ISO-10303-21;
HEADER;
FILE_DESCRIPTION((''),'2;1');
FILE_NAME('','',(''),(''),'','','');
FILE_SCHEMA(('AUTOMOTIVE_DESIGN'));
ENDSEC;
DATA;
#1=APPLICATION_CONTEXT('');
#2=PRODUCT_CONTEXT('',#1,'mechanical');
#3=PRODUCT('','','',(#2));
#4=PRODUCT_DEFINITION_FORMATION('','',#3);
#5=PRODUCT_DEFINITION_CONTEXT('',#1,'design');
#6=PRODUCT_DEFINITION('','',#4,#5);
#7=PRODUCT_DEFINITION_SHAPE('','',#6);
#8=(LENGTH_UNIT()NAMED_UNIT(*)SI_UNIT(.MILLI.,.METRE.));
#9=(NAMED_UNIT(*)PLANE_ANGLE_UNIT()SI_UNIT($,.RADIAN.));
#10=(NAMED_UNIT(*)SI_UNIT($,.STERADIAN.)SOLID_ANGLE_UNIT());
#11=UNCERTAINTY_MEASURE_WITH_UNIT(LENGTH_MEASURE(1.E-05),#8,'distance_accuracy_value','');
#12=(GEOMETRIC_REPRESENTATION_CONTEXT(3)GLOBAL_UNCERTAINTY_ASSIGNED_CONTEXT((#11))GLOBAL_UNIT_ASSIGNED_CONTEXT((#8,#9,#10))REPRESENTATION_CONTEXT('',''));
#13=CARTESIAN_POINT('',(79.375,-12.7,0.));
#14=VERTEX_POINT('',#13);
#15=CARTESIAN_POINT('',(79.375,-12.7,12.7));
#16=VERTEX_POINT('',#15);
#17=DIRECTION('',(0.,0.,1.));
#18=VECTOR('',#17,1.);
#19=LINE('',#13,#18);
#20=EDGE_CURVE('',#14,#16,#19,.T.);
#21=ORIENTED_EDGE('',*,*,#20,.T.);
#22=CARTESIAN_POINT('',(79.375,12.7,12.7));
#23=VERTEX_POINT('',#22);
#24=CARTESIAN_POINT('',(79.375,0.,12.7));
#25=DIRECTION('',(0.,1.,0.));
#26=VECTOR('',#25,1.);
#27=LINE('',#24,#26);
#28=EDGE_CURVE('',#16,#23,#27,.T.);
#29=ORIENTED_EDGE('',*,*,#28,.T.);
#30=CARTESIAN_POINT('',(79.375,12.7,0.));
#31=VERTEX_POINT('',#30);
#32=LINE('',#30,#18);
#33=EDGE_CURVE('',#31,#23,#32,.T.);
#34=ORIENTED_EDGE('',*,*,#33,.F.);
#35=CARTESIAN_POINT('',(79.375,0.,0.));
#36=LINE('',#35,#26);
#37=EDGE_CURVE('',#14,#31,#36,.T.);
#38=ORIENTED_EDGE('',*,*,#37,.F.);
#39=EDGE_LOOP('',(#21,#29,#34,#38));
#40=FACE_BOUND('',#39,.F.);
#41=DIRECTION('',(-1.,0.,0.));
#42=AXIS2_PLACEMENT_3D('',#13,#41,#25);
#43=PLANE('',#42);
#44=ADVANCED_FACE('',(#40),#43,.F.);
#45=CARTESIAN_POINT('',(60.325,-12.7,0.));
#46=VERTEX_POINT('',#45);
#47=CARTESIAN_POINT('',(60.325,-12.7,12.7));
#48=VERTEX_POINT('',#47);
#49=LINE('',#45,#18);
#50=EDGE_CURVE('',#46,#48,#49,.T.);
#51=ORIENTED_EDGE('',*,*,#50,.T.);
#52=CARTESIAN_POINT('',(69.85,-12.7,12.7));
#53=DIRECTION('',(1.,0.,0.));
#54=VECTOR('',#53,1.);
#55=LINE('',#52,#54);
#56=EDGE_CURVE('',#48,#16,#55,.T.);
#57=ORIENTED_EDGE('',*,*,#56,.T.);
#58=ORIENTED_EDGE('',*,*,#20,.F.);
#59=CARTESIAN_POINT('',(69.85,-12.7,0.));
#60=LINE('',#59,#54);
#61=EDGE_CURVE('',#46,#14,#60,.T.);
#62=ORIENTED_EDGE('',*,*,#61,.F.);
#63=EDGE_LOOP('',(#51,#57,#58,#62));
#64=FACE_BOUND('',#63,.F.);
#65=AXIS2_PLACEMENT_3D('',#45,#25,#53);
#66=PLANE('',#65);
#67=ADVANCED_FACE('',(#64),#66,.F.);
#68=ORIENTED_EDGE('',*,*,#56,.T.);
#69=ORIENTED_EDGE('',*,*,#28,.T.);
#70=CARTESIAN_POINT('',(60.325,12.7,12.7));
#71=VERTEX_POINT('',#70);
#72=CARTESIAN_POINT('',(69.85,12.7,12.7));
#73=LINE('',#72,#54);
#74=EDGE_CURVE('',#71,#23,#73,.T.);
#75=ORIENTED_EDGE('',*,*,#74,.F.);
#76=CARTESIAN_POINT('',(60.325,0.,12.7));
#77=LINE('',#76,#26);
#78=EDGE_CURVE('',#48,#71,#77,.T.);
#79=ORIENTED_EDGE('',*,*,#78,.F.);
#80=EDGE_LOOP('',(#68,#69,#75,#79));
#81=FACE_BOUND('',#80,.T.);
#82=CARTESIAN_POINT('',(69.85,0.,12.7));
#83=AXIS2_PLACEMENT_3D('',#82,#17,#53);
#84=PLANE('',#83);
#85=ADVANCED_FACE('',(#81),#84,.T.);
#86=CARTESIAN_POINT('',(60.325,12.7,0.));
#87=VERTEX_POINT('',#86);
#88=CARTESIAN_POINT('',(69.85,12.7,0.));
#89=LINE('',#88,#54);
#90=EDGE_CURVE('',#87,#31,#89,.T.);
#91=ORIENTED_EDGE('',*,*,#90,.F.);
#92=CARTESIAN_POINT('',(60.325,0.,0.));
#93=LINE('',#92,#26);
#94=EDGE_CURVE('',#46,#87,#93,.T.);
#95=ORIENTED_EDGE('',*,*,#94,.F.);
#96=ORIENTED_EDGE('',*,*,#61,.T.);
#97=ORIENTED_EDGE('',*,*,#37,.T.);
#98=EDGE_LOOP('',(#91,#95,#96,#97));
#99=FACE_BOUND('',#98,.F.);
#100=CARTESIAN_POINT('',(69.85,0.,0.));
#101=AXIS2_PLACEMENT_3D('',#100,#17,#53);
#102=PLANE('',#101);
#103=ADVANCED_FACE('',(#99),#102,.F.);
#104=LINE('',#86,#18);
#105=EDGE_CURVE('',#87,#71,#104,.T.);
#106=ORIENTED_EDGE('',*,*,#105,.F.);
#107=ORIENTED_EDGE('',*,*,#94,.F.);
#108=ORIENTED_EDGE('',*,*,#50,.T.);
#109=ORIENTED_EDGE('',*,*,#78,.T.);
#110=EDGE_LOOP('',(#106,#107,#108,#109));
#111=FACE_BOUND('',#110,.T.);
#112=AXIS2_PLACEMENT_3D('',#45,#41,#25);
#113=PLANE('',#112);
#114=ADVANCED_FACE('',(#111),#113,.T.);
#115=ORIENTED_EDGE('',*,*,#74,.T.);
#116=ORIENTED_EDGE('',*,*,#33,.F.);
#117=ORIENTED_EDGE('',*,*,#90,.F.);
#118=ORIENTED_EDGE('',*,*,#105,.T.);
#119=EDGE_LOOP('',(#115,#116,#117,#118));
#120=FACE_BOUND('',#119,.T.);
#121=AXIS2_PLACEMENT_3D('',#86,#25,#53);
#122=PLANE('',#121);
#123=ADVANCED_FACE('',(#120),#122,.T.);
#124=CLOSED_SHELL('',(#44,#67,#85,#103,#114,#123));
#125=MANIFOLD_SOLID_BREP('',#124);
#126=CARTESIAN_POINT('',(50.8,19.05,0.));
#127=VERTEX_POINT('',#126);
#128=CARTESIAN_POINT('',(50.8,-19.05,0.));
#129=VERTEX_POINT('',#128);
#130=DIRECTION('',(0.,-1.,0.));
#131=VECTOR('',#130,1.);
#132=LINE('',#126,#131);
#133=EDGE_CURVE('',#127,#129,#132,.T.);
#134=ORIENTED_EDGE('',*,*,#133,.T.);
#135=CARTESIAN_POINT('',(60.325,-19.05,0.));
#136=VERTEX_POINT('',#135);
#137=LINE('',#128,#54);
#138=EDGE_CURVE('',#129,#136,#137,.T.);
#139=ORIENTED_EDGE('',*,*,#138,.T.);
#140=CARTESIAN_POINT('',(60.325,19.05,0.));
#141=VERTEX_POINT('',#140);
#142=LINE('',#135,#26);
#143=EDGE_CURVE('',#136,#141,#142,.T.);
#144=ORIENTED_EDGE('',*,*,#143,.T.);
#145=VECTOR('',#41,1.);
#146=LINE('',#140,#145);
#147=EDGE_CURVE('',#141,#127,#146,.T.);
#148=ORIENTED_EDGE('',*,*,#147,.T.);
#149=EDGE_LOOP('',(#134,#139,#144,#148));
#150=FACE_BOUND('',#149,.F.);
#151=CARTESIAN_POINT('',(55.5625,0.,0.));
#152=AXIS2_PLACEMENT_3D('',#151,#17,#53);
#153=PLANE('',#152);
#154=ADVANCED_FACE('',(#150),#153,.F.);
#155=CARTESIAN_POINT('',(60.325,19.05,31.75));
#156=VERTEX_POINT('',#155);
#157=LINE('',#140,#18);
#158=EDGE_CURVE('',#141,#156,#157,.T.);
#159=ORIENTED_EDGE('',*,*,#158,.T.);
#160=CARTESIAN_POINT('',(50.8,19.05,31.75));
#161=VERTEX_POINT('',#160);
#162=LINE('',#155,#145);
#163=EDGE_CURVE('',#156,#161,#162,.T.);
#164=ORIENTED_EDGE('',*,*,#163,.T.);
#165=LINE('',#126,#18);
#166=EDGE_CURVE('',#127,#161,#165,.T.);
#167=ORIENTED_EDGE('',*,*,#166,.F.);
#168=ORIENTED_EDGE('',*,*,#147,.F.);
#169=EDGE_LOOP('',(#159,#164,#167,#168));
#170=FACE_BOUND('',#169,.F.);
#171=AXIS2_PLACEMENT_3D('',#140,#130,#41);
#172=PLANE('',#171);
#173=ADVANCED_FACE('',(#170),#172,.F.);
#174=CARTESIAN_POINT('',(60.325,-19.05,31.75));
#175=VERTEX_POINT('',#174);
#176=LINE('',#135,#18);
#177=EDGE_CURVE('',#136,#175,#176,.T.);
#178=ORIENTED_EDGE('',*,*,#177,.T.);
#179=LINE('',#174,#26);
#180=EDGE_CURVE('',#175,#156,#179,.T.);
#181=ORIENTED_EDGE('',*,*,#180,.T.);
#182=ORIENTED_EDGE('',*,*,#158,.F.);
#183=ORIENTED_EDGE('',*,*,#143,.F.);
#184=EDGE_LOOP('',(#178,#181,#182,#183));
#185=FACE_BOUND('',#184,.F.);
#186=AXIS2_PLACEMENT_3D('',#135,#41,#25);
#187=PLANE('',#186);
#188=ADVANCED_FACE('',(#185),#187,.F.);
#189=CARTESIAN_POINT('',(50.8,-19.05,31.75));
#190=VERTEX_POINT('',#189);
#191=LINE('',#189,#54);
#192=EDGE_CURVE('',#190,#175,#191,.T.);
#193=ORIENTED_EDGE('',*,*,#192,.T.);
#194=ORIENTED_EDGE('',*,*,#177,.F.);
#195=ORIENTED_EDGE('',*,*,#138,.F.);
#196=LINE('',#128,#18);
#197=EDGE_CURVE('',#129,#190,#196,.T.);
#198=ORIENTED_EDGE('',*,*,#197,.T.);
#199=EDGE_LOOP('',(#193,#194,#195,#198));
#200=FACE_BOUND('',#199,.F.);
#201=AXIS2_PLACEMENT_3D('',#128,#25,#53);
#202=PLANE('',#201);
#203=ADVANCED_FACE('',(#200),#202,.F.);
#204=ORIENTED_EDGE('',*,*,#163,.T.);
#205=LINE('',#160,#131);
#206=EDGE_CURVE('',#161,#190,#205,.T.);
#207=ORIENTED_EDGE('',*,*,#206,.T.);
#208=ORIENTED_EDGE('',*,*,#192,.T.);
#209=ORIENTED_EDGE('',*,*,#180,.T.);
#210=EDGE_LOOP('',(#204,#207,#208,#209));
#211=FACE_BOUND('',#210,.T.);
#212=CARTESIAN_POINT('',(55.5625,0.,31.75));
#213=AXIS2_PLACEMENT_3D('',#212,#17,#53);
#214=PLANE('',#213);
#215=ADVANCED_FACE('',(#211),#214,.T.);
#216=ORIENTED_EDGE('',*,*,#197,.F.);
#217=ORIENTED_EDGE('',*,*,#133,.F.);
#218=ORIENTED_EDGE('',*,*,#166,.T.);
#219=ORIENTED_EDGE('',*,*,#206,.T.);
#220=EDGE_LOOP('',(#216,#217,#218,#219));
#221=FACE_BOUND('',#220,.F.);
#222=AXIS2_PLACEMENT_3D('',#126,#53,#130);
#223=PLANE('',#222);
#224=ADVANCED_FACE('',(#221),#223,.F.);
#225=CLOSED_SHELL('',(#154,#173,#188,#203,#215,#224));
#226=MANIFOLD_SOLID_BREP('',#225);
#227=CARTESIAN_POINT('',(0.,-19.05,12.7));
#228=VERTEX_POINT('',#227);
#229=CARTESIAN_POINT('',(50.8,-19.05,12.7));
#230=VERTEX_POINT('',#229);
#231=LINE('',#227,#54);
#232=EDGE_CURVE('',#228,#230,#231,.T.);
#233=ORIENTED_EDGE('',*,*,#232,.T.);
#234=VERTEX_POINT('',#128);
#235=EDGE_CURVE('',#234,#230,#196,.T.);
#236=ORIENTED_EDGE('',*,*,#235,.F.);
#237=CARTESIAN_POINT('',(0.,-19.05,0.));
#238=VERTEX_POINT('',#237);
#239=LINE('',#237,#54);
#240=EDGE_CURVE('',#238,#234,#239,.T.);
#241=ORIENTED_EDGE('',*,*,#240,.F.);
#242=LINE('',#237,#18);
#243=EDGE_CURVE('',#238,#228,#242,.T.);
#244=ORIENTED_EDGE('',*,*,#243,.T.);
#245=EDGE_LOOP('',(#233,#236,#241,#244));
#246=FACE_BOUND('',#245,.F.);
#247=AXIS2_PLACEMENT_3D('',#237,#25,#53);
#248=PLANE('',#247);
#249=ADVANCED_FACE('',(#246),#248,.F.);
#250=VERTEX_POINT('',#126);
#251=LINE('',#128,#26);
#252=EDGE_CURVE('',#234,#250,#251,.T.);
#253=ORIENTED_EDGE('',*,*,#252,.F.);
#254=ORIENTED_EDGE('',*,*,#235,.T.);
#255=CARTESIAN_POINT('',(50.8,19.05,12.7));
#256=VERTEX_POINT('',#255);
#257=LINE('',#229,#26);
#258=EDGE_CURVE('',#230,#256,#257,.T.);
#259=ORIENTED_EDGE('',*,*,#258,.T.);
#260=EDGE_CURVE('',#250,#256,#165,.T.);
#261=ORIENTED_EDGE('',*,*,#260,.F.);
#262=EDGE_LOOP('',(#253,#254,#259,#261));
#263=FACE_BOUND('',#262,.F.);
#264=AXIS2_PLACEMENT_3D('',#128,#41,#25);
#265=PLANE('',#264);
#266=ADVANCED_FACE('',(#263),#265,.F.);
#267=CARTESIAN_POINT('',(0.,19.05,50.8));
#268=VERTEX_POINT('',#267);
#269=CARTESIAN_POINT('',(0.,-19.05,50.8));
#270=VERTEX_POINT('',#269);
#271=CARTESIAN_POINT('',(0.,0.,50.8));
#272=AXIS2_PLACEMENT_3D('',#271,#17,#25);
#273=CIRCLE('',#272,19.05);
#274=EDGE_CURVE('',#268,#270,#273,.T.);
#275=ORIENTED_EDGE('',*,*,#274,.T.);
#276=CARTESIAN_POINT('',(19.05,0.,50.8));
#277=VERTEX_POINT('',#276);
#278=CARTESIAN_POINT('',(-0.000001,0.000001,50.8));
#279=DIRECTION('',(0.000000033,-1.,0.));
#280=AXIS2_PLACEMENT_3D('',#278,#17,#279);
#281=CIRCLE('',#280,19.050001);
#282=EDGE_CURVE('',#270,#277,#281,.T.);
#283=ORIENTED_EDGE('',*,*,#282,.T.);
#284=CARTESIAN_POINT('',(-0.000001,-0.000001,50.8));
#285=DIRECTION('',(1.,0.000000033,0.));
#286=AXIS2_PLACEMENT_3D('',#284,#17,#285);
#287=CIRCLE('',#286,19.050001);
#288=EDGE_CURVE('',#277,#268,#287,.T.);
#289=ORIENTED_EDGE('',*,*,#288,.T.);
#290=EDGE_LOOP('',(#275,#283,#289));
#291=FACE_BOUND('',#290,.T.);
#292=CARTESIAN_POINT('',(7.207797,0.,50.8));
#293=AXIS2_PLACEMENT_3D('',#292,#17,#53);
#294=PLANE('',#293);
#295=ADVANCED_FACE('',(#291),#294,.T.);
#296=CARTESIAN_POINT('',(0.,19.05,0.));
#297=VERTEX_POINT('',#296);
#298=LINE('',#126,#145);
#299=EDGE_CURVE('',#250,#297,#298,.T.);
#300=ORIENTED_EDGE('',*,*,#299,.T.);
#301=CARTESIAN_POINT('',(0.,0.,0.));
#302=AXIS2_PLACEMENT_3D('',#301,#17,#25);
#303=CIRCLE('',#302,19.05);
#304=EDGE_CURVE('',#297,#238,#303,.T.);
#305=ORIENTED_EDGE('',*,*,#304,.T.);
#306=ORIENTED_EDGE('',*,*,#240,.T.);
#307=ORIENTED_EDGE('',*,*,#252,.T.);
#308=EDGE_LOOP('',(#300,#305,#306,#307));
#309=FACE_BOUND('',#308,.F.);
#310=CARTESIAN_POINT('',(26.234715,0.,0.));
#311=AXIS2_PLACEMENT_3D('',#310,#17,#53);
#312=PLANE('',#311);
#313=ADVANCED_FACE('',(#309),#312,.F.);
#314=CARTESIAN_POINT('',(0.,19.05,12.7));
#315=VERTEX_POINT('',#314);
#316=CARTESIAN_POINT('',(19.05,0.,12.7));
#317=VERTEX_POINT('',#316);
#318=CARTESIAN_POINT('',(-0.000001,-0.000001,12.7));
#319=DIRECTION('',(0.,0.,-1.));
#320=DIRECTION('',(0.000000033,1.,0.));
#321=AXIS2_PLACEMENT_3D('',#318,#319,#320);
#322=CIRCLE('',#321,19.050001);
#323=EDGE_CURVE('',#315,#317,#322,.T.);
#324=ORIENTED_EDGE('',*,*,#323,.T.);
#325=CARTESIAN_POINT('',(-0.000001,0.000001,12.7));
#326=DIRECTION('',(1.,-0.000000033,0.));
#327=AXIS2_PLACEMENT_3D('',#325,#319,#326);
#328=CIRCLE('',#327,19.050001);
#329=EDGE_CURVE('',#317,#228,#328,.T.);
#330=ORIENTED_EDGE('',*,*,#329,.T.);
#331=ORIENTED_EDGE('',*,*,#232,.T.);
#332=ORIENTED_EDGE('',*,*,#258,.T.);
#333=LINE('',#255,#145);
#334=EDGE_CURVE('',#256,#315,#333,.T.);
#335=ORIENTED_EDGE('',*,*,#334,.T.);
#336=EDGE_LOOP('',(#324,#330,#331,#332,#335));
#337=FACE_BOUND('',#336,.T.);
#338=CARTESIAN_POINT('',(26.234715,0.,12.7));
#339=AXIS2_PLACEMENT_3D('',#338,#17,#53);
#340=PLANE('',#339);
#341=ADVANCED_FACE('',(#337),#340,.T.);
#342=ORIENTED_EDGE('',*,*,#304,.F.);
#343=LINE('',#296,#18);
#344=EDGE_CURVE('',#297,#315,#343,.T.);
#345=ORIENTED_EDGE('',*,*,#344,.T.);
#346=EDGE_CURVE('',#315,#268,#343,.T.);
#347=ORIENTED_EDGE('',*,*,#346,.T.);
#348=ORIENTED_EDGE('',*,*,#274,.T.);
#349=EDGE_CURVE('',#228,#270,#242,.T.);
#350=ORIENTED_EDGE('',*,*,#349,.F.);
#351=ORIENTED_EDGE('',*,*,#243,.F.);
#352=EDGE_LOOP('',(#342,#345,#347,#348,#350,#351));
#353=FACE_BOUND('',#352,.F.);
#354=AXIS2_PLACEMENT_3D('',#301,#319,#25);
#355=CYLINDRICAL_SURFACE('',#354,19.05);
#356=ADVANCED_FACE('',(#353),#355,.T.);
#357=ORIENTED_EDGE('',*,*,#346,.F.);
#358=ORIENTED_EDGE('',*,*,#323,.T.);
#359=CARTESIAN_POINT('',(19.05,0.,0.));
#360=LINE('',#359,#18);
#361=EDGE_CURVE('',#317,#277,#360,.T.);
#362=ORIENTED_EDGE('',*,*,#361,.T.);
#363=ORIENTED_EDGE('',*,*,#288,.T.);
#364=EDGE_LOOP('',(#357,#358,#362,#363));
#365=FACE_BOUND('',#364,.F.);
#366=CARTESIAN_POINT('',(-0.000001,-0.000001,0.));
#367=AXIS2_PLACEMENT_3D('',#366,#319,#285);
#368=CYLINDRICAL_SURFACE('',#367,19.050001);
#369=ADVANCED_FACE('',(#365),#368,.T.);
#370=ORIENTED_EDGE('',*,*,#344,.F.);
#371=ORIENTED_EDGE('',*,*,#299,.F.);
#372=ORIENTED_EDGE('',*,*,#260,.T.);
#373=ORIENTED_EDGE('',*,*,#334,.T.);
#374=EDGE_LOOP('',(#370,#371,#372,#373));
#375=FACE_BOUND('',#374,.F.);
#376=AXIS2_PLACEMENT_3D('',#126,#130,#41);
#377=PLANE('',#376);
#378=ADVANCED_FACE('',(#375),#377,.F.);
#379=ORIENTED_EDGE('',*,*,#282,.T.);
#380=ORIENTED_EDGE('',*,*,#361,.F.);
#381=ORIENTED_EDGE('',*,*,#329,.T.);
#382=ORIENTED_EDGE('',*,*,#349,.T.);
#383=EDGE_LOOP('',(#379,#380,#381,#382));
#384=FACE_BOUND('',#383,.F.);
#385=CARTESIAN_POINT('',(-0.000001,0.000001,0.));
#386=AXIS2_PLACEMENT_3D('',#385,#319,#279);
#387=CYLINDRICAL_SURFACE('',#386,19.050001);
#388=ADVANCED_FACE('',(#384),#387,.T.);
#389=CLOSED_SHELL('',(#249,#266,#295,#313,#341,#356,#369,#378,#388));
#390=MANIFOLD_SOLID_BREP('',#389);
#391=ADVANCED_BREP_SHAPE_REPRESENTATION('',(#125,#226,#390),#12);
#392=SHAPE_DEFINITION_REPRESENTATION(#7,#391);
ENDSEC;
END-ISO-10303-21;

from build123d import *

# Parameters (mm, degrees)
F1_DEPTH = 50.8
F0_W     = 19.05
F0_H     = 25.4
F2_DEPTH = 12.7
F3_DEPTH = 31.75


with BuildPart() as f1:
    # F0 (on Top) → F1 (new body)
    with BuildSketch(Plane.XY):
        with BuildLine():
            ThreePointArc((0, -19.05), (13.470384, -13.470384), (19.05, 0))
            ThreePointArc((19.05, 0), (13.470384, 13.470384), (0, 19.05))
            Line((0, 19.05), (0, -19.05))
        make_face()
        with BuildLine():
            Line((0, -19.05), (0, 19.05))
            ThreePointArc((0, 19.05), (-19.05, 0), (0, -19.05))
        make_face()
    extrude(amount=F1_DEPTH)

    # F0 (on Top) → F2 (join)
    with BuildSketch(Plane.XY):
        with BuildLine():
            ThreePointArc((0, 19.05), (13.470384, 13.470384), (19.05, 0))
            ThreePointArc((19.05, 0), (13.470384, -13.470384), (0, -19.05))
            Line((0, -19.05), (50.8, -19.05))
            Line((50.8, -19.05), (50.8, 19.05))
            Line((50.8, 19.05), (0, 19.05))
        make_face()
        with Locations((69.85, 0)):
            Rectangle(F0_W, F0_H)
    extrude(amount=F2_DEPTH)


with BuildPart() as f3:
    # F0 (on Top) → F3 (new body)
    with BuildSketch(Plane.XY):
        Polygon((60.325, 19.05), (50.8, 19.05), (50.8, -19.05), (60.325, -19.05), (60.325, -12.7), (60.325, 12.7), align=None)
    extrude(amount=F3_DEPTH)


solid = Compound([f1.part, f3.part])
